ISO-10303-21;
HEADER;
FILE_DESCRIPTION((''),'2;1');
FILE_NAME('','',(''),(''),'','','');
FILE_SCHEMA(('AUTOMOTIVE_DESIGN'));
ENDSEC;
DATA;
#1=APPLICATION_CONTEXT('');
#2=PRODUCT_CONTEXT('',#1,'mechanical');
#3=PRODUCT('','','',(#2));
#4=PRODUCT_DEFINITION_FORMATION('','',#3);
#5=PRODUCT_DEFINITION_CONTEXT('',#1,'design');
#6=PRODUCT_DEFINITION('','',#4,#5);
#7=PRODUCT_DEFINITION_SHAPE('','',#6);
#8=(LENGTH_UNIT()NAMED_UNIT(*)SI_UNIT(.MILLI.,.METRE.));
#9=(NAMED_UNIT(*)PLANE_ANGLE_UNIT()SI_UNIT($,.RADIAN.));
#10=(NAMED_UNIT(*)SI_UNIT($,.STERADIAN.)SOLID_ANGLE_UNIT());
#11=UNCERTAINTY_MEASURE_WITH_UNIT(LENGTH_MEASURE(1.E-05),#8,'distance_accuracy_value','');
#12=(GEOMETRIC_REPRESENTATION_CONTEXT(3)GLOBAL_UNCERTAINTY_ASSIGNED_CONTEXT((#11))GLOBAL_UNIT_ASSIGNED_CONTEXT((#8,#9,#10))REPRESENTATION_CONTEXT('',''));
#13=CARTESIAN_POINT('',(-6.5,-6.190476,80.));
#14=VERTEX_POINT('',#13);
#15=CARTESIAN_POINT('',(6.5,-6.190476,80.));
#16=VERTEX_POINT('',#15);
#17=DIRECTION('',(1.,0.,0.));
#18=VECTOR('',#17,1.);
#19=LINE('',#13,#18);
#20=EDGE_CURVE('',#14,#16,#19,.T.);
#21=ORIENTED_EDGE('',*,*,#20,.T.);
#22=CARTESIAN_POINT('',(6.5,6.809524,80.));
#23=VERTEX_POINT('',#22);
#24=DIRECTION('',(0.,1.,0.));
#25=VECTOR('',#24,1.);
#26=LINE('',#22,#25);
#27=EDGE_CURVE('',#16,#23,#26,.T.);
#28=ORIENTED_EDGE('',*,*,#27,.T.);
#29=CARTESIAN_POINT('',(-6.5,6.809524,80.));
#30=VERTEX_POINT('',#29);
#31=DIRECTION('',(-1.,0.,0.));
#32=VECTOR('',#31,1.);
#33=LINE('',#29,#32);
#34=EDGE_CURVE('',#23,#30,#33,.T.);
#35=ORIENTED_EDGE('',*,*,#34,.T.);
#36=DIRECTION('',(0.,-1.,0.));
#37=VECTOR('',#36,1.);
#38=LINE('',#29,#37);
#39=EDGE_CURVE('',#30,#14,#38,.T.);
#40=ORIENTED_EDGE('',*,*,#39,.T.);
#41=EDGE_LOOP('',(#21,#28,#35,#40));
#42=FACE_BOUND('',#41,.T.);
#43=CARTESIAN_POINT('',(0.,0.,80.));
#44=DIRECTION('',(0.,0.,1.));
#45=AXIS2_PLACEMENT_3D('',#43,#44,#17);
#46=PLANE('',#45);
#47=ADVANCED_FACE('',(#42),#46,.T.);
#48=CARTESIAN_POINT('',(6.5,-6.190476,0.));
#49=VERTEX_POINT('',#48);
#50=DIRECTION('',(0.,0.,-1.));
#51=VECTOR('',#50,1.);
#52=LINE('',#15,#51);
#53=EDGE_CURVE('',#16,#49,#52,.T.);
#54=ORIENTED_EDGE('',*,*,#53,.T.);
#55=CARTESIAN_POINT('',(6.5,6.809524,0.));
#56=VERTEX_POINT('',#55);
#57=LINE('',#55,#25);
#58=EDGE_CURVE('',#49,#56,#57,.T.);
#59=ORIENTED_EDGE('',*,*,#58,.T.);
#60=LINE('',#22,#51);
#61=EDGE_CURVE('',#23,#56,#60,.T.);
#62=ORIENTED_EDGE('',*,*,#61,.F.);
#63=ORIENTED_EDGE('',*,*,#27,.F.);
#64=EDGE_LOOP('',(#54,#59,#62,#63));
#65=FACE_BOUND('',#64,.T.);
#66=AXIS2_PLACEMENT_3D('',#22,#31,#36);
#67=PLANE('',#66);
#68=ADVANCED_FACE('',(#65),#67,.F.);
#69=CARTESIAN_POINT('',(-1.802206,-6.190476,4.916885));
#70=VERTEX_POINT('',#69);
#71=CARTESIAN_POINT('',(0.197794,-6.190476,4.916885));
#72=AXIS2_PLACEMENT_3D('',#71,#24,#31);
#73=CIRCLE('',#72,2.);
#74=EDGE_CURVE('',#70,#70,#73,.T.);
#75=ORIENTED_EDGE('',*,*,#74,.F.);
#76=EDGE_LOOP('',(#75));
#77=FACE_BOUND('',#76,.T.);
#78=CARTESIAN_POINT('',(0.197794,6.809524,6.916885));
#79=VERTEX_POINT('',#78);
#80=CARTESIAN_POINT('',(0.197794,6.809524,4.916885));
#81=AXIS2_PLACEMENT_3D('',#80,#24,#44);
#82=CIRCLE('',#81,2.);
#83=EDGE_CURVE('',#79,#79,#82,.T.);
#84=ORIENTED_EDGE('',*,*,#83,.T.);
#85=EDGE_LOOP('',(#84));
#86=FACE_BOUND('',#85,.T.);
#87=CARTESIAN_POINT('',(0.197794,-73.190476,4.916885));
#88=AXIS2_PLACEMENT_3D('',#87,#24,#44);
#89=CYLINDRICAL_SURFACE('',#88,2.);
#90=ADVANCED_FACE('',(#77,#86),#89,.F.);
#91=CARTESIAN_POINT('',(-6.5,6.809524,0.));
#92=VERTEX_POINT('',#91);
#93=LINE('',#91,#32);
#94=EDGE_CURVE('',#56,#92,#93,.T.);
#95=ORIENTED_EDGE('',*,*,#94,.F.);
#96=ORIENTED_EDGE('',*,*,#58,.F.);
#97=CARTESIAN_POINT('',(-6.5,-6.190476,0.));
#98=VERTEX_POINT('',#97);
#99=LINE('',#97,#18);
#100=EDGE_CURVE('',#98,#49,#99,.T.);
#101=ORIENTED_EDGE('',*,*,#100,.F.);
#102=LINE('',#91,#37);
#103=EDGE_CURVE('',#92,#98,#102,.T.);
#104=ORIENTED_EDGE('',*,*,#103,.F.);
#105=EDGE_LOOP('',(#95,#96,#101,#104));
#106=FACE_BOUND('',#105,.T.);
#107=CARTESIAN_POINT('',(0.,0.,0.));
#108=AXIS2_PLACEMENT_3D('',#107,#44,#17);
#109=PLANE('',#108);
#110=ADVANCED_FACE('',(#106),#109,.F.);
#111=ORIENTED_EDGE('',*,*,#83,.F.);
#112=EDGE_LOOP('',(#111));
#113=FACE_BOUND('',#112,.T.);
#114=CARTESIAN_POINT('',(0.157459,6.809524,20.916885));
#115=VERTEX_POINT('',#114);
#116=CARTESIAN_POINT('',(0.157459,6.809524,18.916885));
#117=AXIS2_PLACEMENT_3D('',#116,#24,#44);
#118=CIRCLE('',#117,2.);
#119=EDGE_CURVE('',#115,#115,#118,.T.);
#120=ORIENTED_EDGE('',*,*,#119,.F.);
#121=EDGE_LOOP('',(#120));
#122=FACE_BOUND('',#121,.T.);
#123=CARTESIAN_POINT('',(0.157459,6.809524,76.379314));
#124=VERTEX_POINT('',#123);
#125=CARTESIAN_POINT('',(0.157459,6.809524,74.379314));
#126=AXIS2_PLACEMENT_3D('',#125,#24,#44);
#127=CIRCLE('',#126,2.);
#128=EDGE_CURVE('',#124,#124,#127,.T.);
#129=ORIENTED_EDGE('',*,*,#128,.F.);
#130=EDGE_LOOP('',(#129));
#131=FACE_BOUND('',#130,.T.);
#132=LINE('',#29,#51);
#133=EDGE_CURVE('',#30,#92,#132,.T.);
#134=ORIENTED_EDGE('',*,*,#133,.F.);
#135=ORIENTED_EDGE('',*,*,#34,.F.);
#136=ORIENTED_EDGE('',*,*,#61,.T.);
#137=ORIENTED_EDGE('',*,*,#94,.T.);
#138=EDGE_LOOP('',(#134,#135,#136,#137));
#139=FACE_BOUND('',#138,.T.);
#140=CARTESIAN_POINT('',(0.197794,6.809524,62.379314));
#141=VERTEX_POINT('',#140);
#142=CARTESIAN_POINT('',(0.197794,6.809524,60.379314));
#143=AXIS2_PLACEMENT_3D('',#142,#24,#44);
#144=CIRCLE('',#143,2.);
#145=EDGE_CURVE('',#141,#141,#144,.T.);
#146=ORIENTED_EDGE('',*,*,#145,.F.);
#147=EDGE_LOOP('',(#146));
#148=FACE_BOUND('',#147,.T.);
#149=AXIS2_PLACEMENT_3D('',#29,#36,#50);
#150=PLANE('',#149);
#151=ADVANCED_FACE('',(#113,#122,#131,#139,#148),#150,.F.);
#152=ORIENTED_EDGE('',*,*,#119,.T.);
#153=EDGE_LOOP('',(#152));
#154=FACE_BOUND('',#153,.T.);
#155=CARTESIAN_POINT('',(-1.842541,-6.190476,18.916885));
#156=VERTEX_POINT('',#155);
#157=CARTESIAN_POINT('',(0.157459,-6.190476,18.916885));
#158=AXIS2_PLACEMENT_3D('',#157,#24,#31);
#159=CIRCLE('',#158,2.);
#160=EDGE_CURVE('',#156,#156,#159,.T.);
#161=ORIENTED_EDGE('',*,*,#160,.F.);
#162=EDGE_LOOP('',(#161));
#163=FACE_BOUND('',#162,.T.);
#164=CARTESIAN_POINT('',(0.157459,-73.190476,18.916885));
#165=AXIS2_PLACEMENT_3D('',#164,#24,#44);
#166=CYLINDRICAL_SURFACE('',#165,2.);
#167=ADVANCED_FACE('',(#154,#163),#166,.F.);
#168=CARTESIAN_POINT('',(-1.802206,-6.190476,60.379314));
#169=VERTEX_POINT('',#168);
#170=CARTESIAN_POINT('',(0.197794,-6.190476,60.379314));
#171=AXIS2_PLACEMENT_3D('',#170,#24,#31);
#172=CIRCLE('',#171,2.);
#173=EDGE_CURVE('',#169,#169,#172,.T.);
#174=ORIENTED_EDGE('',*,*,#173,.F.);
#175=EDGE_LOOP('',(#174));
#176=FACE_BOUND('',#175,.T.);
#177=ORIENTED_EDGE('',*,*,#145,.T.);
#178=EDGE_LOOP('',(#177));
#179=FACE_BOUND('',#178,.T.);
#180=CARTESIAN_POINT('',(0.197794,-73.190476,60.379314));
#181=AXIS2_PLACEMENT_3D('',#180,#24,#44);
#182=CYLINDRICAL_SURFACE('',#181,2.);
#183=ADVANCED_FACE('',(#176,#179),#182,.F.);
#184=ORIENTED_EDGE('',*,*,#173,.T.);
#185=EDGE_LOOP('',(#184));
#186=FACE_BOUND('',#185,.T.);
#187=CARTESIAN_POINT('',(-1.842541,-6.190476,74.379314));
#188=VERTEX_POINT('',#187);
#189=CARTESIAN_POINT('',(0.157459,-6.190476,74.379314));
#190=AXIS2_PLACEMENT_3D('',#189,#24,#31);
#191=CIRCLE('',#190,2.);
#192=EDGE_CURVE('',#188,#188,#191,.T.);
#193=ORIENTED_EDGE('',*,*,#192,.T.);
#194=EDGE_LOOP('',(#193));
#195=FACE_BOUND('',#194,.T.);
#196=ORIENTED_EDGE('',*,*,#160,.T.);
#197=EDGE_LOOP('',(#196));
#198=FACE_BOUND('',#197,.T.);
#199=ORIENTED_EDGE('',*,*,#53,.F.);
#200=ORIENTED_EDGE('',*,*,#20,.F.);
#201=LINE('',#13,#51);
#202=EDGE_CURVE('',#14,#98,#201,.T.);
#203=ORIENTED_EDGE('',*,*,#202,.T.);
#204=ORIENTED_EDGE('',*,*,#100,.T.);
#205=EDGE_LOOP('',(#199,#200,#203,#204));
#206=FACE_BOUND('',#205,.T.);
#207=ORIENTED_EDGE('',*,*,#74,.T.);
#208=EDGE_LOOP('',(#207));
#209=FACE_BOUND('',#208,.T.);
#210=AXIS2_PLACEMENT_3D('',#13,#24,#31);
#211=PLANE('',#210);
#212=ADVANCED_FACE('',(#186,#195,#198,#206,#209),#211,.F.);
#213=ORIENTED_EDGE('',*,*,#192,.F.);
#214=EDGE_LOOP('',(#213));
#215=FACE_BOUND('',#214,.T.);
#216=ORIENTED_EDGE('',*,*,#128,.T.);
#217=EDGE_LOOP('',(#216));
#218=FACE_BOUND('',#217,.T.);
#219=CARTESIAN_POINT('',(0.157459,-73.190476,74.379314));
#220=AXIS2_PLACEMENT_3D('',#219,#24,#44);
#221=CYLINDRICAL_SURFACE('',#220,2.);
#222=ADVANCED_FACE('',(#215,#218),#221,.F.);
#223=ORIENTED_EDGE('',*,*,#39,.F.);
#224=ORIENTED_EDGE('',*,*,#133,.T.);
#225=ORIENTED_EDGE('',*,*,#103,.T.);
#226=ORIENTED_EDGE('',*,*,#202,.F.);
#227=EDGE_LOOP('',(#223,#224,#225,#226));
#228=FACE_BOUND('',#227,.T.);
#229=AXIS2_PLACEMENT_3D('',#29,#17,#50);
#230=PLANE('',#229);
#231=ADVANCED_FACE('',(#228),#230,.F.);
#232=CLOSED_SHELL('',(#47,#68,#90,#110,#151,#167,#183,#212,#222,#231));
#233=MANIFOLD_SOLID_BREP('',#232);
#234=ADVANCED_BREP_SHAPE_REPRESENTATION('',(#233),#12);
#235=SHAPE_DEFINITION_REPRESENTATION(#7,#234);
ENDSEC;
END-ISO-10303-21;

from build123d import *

# Parameters (mm, degrees)
SKETCH1_W           = 13
SKETCH1_H           = 13
BOSS_EXTRUDE1_DEPTH = 80
SKETCH2_R           = 2
CUT_EXTRUDE1_DEPTH  = 80


with BuildPart() as part:
    # Sketch1 → Boss-Extrude1 (new body)
    with BuildSketch(Plane.XY):
        with Locations((0, 0.30952381)):
            Rectangle(SKETCH1_W, SKETCH1_H)
    extrude(amount=BOSS_EXTRUDE1_DEPTH)

    # Sketch2 → Cut-Extrude1 (cut)
    with BuildSketch(Plane(origin=(0, 6.80952381, 0), x_dir=(1, 0, 0), z_dir=(0, 1, 0))):
        with Locations((0.197793721, -4.916885497)):
            Circle(SKETCH2_R)
        with Locations((0.157458731, -18.916885497)):
            Circle(SKETCH2_R)
        with Locations((0.197793721, -60.379313969)):
            Circle(SKETCH2_R)
        with Locations((0.157458731, -74.379313969)):
            Circle(SKETCH2_R)
    extrude(amount=-CUT_EXTRUDE1_DEPTH, mode=Mode.SUBTRACT)


solid = part.part
